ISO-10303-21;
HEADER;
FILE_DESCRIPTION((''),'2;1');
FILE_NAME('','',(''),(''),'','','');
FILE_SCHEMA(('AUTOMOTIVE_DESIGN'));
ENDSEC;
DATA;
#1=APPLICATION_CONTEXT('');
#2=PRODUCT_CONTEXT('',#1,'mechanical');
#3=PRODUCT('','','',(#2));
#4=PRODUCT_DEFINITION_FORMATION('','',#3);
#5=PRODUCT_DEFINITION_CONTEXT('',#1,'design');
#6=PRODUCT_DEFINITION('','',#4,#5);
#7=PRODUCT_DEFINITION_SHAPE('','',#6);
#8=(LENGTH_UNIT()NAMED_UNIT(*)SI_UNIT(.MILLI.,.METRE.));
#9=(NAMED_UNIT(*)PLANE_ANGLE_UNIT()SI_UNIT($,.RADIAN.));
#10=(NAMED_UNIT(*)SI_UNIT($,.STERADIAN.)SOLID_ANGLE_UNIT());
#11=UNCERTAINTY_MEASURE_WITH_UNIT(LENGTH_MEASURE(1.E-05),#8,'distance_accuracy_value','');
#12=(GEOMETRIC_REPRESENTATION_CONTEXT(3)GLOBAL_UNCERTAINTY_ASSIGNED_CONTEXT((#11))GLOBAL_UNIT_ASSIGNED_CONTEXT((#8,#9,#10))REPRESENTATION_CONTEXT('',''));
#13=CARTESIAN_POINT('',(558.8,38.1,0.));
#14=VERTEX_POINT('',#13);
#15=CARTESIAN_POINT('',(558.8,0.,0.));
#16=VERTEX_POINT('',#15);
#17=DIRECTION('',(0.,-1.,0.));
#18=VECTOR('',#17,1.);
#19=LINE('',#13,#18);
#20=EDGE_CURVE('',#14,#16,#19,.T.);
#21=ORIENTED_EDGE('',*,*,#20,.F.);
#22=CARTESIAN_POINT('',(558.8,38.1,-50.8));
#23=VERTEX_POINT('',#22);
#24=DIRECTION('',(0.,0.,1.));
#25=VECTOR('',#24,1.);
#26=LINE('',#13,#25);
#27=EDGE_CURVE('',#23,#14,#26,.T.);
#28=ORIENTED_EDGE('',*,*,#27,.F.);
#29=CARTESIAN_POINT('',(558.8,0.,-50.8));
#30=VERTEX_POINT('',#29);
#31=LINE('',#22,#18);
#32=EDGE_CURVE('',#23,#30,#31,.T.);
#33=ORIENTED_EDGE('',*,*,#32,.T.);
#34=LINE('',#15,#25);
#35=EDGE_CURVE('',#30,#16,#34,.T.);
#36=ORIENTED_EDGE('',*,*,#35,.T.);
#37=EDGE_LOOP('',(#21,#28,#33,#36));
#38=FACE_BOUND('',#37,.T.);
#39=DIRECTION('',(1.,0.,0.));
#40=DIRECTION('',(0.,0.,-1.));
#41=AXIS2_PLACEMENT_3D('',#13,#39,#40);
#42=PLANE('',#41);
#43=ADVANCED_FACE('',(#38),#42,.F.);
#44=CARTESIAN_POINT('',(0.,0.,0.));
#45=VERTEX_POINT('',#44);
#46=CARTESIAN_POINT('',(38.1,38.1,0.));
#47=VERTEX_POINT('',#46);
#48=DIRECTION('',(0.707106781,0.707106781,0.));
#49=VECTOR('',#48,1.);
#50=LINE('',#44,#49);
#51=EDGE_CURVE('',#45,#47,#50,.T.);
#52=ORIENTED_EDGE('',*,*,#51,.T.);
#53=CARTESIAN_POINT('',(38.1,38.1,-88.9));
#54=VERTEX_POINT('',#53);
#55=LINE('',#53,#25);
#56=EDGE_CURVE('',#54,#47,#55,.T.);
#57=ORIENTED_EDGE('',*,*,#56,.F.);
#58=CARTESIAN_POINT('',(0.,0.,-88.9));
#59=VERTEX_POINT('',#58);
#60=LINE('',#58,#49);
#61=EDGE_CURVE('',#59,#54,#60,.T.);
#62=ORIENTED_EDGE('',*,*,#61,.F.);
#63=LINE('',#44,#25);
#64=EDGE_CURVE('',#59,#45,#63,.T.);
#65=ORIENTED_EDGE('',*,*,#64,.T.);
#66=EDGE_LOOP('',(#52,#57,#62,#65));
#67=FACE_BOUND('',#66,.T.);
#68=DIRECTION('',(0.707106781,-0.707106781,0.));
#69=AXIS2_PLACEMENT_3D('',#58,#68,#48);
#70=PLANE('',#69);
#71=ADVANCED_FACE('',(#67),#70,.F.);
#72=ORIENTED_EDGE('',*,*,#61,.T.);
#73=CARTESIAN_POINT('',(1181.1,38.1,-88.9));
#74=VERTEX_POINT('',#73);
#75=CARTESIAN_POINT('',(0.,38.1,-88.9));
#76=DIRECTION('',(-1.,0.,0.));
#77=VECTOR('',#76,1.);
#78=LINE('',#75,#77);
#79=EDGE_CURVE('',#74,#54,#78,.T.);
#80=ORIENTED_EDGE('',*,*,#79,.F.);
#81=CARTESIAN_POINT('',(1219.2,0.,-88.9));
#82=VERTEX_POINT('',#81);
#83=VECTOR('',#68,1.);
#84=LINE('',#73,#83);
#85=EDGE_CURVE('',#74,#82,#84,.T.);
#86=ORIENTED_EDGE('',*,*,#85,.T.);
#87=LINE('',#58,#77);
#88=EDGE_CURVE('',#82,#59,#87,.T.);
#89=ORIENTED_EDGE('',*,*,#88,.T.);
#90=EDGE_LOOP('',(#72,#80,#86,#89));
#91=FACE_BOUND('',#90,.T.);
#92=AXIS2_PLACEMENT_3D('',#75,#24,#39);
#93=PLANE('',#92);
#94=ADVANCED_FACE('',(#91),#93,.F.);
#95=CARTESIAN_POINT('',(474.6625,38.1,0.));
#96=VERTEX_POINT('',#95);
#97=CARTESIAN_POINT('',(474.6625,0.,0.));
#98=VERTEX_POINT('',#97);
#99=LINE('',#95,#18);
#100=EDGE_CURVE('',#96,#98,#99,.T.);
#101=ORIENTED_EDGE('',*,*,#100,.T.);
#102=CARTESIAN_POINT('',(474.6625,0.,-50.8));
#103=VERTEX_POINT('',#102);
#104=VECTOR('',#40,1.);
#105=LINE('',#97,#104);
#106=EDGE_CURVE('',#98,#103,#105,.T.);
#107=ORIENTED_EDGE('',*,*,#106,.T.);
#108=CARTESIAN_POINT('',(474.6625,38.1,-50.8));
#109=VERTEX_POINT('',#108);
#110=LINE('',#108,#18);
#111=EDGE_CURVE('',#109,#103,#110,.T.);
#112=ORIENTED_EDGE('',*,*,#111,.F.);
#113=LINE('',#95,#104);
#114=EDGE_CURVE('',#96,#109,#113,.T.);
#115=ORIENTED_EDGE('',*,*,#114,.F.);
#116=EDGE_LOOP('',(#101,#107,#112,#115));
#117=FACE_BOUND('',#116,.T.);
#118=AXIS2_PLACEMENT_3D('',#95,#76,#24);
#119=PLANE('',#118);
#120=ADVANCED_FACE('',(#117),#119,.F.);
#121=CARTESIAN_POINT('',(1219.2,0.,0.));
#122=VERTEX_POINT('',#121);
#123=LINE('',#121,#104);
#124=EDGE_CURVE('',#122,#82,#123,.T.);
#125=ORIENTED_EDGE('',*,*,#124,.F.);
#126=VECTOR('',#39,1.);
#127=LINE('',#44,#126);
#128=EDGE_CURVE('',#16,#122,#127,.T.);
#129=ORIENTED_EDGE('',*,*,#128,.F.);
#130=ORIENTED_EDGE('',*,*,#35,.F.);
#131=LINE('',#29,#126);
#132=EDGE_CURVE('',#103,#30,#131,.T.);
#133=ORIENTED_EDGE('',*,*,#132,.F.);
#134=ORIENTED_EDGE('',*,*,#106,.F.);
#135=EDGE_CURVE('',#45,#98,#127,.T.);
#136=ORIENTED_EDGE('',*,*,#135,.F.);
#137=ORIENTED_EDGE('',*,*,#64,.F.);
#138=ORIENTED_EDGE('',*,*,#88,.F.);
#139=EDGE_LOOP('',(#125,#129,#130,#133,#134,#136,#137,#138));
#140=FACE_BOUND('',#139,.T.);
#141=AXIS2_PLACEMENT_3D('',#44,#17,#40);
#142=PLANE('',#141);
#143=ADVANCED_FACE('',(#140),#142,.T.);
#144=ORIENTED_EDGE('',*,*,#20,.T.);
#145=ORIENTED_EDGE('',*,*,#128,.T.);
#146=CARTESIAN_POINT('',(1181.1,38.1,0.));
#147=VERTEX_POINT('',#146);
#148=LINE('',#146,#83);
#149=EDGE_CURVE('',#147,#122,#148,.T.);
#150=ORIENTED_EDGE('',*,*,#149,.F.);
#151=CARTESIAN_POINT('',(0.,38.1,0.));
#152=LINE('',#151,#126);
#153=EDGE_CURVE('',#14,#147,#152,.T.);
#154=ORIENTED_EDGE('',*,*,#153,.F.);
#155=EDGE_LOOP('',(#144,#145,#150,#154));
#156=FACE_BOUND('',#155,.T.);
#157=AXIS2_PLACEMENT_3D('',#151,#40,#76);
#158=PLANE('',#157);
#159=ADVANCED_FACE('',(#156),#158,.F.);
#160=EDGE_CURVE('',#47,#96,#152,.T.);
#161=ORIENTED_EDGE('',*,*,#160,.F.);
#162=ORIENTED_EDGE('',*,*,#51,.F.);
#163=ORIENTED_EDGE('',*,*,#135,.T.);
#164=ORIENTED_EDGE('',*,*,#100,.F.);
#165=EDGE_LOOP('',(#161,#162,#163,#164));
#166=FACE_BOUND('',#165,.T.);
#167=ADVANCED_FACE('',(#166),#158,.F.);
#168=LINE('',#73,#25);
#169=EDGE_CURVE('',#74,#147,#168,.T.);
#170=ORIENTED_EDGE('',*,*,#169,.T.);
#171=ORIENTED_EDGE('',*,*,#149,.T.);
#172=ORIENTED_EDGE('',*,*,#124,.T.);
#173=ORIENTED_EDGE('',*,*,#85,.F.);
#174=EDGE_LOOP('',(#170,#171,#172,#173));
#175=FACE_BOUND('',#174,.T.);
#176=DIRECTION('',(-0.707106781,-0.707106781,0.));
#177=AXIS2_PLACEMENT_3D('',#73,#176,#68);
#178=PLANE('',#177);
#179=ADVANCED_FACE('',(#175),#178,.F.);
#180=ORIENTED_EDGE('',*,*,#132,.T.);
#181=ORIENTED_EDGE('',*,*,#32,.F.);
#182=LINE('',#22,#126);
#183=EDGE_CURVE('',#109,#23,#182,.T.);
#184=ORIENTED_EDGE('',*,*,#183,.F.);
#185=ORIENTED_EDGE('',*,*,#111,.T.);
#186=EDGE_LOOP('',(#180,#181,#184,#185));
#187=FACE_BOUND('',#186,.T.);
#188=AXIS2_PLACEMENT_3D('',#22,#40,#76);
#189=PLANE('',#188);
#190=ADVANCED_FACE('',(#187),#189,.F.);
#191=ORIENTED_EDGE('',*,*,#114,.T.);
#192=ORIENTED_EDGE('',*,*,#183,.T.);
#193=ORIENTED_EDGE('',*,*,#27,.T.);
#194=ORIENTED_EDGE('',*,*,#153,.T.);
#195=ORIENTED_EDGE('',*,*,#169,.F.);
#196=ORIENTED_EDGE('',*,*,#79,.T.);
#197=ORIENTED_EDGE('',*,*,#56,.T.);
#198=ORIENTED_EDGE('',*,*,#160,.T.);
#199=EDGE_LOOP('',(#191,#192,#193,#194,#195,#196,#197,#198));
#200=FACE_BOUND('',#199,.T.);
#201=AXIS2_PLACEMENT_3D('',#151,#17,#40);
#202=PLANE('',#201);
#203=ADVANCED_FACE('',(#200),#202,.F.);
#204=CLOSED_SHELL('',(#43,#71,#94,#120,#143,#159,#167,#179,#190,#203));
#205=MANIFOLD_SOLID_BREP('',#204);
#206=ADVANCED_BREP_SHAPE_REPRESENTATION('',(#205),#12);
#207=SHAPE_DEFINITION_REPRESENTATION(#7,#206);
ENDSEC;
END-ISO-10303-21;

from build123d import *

# Parameters (mm, degrees)
SKETCH1_W           = 1219.2
SKETCH1_H           = 88.9
BOSS_EXTRUDE1_DEPTH = 38.1
CUT_EXTRUDE1_DEPTH  = 89.9
SKETCH3_W           = 84.1375
SKETCH3_H           = 50.8
CUT_EXTRUDE2_DEPTH  = 39.1


with BuildPart() as part:
    # Sketch1 → Boss-Extrude1 (new body)
    with BuildSketch(Plane(origin=(0, 0, 0), x_dir=(1, 0, 0), z_dir=(0, 1, 0))):
        with Locations((609.6, 44.45)):
            Rectangle(SKETCH1_W, SKETCH1_H)
    extrude(amount=BOSS_EXTRUDE1_DEPTH)

    # Sketch2 → Cut-Extrude1 (cut, through all)
    with BuildSketch(Plane.XY):
        Polygon((0, 0), (38.1, 38.1), (0, 38.1), align=None)
        Polygon((1219.2, 0), (1219.2, 38.1), (1181.1, 38.1), align=None)
    extrude(amount=-CUT_EXTRUDE1_DEPTH, mode=Mode.SUBTRACT)

    # Sketch3 → Cut-Extrude2 (cut, through all)
    with BuildSketch(Plane.XZ):
        with Locations((516.73125, -25.4)):
            Rectangle(SKETCH3_W, SKETCH3_H)
    extrude(amount=-CUT_EXTRUDE2_DEPTH, mode=Mode.SUBTRACT)


solid = part.part
